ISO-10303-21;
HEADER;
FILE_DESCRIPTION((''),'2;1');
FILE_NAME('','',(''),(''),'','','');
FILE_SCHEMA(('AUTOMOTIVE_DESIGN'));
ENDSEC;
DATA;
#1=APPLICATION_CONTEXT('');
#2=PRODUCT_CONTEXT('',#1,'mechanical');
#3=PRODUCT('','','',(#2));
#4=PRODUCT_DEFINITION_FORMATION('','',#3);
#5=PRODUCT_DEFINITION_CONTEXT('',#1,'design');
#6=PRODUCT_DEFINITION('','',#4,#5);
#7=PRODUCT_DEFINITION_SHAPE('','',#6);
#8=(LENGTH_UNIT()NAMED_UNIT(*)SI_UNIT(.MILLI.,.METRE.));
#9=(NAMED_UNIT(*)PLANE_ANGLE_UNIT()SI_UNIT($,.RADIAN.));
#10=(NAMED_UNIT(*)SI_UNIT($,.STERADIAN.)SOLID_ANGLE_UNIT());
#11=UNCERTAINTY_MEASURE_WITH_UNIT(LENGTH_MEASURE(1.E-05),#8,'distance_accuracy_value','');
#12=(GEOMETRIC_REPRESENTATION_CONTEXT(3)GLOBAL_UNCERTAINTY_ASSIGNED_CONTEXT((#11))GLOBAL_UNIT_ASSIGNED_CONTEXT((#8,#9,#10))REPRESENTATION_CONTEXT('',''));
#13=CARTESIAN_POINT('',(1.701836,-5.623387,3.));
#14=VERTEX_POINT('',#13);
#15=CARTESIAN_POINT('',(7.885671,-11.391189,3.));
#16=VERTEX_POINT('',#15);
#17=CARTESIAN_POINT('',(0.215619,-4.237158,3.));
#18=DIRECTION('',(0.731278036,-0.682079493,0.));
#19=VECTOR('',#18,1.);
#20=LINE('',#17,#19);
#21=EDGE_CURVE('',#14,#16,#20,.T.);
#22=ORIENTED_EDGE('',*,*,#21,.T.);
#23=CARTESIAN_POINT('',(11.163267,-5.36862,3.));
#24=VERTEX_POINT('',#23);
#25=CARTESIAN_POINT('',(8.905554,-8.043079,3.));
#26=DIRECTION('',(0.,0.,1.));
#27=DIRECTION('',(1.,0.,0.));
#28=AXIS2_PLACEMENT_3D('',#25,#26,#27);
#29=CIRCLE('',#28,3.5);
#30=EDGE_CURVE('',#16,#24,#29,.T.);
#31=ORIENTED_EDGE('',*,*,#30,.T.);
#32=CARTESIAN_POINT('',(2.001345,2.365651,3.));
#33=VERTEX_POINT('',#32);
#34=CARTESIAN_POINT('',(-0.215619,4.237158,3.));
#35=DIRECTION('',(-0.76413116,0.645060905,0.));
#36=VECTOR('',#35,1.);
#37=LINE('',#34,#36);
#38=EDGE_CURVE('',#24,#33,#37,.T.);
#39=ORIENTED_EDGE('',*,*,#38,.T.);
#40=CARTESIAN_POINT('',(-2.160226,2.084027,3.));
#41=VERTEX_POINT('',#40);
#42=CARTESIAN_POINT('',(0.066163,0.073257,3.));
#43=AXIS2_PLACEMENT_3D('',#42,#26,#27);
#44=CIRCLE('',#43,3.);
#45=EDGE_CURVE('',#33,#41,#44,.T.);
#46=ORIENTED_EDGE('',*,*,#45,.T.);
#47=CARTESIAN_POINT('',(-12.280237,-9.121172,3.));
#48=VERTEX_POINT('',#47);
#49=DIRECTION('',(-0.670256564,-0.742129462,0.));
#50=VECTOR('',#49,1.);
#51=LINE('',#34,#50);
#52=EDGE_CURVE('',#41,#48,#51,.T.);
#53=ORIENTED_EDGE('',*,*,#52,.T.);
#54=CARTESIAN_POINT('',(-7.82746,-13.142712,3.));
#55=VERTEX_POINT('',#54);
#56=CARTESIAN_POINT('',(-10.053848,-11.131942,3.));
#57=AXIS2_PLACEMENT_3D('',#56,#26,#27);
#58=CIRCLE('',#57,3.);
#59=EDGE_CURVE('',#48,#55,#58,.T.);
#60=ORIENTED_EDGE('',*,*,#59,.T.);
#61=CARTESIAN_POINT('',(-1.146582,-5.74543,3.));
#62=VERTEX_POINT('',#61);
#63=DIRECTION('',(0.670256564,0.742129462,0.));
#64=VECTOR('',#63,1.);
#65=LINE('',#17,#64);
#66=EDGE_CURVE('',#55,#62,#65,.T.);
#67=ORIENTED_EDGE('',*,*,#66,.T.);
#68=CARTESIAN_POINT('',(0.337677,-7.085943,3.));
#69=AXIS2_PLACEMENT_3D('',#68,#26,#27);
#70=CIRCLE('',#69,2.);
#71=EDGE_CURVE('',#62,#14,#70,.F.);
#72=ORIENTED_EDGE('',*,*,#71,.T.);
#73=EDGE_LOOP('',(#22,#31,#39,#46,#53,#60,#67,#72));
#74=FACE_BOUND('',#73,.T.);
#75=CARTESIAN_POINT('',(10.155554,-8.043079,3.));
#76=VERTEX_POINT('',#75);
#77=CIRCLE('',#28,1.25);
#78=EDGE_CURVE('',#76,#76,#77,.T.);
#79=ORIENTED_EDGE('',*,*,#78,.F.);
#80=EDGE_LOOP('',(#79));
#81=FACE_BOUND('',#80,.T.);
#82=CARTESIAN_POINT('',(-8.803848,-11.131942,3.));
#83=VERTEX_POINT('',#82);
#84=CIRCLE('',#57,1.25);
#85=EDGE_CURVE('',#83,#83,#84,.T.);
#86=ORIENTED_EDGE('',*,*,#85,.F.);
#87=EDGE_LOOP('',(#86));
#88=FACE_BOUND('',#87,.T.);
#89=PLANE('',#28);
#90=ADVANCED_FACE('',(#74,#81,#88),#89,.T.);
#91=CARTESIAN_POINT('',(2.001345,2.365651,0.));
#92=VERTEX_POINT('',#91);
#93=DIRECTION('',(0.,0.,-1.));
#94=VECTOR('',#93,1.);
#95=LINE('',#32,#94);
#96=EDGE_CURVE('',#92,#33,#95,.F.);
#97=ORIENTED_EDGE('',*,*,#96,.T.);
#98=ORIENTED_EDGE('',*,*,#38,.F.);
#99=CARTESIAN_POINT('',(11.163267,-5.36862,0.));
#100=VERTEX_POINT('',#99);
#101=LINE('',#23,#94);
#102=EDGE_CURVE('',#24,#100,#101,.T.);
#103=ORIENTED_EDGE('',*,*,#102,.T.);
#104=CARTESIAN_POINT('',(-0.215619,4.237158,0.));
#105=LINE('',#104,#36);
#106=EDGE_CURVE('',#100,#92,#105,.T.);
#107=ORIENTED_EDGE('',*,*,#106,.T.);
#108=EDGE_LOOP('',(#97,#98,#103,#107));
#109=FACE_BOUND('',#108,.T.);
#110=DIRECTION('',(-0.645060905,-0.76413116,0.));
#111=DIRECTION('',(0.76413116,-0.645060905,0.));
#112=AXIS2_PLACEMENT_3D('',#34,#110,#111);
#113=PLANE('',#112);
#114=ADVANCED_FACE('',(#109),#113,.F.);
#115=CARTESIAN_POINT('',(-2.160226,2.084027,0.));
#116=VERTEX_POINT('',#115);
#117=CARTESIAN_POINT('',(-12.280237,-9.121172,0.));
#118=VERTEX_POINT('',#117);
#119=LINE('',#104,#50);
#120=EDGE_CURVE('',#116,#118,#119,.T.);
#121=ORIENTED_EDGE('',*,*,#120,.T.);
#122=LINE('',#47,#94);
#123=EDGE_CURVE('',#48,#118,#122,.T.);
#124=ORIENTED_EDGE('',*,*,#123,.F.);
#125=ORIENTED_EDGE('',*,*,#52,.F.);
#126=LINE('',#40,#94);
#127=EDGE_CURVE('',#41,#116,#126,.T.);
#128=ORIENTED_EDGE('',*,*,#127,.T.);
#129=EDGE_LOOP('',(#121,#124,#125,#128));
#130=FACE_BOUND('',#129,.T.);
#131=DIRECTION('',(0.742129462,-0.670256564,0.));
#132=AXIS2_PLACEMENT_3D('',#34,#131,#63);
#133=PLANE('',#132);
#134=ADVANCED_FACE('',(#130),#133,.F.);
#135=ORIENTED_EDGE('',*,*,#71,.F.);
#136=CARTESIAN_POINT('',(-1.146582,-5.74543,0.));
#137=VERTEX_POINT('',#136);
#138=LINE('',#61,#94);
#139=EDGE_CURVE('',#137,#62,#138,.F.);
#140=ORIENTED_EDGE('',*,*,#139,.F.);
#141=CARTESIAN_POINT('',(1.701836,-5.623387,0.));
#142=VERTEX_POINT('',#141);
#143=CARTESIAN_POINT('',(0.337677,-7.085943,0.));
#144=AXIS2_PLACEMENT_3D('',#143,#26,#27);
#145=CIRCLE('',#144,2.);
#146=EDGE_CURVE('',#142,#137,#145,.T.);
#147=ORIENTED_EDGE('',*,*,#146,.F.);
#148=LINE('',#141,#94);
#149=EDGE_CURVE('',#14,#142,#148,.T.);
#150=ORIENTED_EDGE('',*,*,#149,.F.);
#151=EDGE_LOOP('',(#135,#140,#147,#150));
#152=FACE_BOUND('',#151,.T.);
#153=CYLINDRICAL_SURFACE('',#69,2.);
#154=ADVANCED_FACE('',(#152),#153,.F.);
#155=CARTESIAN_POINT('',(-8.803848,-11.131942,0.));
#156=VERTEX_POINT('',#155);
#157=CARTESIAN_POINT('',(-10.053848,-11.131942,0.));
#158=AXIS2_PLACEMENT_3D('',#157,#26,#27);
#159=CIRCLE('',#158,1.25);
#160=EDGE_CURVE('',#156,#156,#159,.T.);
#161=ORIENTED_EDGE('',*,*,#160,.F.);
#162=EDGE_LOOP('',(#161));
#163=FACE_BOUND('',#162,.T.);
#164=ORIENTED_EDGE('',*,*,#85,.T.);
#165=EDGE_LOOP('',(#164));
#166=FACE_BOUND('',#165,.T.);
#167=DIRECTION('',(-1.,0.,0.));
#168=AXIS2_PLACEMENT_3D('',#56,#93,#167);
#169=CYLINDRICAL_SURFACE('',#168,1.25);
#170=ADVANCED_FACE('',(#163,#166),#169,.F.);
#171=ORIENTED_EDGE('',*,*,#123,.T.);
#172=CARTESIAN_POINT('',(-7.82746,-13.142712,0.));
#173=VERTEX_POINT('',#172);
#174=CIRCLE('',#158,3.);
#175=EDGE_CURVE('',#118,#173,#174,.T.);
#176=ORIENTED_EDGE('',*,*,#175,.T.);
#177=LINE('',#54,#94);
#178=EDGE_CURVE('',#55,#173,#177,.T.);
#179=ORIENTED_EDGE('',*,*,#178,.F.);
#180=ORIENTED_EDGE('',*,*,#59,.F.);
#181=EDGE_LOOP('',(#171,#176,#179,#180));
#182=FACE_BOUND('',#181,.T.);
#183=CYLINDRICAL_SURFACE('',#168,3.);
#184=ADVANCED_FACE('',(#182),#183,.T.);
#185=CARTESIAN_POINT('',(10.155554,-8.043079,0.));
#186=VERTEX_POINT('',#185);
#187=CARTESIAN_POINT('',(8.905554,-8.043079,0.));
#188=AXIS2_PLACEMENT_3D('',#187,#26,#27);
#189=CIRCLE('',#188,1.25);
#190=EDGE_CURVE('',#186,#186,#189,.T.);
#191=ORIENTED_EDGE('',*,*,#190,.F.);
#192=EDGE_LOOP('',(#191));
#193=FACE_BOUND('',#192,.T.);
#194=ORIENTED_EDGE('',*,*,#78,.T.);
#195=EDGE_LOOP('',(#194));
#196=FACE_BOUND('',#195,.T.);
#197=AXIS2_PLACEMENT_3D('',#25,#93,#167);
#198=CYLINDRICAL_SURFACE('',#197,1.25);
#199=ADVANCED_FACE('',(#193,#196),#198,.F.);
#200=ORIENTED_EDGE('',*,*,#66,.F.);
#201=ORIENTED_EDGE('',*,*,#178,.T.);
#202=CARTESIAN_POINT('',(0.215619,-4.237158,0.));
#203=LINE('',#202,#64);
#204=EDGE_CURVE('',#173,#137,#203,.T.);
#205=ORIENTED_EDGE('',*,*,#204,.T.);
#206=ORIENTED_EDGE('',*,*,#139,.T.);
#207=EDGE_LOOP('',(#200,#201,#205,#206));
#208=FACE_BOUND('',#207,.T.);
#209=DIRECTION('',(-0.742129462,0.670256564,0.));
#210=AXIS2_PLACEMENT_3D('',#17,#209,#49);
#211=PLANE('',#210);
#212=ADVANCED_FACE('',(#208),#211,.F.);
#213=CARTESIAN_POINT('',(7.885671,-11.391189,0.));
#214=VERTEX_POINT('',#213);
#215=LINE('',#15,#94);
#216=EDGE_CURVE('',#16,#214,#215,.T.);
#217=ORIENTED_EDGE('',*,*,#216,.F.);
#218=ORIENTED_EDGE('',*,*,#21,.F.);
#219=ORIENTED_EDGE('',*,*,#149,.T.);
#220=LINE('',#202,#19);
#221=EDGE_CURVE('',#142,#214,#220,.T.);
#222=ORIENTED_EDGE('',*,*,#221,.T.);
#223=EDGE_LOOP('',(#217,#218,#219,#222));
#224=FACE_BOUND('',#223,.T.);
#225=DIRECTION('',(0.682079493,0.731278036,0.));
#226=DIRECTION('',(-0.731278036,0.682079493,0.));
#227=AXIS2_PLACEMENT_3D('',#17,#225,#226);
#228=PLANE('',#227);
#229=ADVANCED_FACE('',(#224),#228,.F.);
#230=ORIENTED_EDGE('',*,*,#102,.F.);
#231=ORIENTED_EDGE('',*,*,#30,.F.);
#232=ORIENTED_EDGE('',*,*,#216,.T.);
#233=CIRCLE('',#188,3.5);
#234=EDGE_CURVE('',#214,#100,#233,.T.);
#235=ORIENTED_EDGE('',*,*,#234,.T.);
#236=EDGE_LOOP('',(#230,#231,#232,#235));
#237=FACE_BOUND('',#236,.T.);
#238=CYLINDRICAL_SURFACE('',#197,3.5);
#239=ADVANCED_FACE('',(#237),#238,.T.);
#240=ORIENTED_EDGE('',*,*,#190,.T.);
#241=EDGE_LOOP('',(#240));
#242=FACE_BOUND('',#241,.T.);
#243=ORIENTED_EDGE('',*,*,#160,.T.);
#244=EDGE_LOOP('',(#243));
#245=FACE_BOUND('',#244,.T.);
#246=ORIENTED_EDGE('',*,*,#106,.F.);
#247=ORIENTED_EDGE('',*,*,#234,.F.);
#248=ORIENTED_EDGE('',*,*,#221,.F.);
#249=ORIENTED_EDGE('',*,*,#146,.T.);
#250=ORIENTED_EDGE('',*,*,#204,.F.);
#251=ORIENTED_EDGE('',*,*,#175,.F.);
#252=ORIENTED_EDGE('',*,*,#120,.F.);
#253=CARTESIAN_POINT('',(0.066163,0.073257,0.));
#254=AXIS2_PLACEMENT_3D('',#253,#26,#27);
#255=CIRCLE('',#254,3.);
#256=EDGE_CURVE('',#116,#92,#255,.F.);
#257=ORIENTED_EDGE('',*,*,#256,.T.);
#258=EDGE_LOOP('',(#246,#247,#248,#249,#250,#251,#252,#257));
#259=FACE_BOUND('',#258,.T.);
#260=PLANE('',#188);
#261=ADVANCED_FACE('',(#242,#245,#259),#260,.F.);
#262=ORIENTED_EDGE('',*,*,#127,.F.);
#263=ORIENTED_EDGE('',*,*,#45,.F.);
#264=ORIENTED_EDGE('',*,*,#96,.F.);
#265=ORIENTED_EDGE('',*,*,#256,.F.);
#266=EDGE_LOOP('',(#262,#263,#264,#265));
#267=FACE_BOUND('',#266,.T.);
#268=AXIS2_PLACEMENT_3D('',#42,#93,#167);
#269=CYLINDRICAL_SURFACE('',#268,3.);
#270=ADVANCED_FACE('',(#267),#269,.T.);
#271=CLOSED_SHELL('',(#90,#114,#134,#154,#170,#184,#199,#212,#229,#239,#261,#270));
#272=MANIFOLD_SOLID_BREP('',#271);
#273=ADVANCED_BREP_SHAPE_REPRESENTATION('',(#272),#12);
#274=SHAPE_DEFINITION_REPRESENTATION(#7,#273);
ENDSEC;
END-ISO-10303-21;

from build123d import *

# Parameters (mm, degrees)
SKETCH1_R           = 1.25
BOSS_EXTRUDE1_DEPTH = 3
FILLET1_R           = 3
FILLET2_R           = 2


with BuildPart() as part:
    # Sketch1 → Boss-Extrude1 (new body)
    with BuildSketch(Plane.XY):
        with BuildLine():
            Line((-0.215618695, 4.237158078), (-12.280236844, -9.121172241))
            ThreePointArc((-12.280236844, -9.121172241), (-12.064618149, -13.358330319), (-7.827460071, -13.142711624))
            Line((-7.827460071, -13.142711624), (0.215618695, -4.237158078))
            Line((0.215618695, -4.237158078), (7.885671037, -11.391188631))
            ThreePointArc((7.885671037, -11.391188631), (11.979783579, -9.716132772), (11.163266713, -5.368619707))
            Line((11.163266713, -5.368619707), (-0.215618695, 4.237158078))
        make_face()
        with Locations((-10.053848457, -11.131941933)):
            Circle(SKETCH1_R, mode=Mode.SUBTRACT)
        with Locations((8.905553546, -8.043078766)):
            Circle(SKETCH1_R, mode=Mode.SUBTRACT)
    extrude(amount=BOSS_EXTRUDE1_DEPTH)

    # Fillet1
    fillet1_edges = [part.edges().sort_by_distance(p)[0] for p in [
        (-0.215618695, 4.237158078, 1.5),
    ]]
    fillet(fillet1_edges, radius=FILLET1_R)

    # Fillet2
    fillet2_edges = [part.edges().sort_by_distance(p)[0] for p in [
        (0.215618695, -4.237158078, 1.5),
    ]]
    fillet(fillet2_edges, radius=FILLET2_R)


solid = part.part
